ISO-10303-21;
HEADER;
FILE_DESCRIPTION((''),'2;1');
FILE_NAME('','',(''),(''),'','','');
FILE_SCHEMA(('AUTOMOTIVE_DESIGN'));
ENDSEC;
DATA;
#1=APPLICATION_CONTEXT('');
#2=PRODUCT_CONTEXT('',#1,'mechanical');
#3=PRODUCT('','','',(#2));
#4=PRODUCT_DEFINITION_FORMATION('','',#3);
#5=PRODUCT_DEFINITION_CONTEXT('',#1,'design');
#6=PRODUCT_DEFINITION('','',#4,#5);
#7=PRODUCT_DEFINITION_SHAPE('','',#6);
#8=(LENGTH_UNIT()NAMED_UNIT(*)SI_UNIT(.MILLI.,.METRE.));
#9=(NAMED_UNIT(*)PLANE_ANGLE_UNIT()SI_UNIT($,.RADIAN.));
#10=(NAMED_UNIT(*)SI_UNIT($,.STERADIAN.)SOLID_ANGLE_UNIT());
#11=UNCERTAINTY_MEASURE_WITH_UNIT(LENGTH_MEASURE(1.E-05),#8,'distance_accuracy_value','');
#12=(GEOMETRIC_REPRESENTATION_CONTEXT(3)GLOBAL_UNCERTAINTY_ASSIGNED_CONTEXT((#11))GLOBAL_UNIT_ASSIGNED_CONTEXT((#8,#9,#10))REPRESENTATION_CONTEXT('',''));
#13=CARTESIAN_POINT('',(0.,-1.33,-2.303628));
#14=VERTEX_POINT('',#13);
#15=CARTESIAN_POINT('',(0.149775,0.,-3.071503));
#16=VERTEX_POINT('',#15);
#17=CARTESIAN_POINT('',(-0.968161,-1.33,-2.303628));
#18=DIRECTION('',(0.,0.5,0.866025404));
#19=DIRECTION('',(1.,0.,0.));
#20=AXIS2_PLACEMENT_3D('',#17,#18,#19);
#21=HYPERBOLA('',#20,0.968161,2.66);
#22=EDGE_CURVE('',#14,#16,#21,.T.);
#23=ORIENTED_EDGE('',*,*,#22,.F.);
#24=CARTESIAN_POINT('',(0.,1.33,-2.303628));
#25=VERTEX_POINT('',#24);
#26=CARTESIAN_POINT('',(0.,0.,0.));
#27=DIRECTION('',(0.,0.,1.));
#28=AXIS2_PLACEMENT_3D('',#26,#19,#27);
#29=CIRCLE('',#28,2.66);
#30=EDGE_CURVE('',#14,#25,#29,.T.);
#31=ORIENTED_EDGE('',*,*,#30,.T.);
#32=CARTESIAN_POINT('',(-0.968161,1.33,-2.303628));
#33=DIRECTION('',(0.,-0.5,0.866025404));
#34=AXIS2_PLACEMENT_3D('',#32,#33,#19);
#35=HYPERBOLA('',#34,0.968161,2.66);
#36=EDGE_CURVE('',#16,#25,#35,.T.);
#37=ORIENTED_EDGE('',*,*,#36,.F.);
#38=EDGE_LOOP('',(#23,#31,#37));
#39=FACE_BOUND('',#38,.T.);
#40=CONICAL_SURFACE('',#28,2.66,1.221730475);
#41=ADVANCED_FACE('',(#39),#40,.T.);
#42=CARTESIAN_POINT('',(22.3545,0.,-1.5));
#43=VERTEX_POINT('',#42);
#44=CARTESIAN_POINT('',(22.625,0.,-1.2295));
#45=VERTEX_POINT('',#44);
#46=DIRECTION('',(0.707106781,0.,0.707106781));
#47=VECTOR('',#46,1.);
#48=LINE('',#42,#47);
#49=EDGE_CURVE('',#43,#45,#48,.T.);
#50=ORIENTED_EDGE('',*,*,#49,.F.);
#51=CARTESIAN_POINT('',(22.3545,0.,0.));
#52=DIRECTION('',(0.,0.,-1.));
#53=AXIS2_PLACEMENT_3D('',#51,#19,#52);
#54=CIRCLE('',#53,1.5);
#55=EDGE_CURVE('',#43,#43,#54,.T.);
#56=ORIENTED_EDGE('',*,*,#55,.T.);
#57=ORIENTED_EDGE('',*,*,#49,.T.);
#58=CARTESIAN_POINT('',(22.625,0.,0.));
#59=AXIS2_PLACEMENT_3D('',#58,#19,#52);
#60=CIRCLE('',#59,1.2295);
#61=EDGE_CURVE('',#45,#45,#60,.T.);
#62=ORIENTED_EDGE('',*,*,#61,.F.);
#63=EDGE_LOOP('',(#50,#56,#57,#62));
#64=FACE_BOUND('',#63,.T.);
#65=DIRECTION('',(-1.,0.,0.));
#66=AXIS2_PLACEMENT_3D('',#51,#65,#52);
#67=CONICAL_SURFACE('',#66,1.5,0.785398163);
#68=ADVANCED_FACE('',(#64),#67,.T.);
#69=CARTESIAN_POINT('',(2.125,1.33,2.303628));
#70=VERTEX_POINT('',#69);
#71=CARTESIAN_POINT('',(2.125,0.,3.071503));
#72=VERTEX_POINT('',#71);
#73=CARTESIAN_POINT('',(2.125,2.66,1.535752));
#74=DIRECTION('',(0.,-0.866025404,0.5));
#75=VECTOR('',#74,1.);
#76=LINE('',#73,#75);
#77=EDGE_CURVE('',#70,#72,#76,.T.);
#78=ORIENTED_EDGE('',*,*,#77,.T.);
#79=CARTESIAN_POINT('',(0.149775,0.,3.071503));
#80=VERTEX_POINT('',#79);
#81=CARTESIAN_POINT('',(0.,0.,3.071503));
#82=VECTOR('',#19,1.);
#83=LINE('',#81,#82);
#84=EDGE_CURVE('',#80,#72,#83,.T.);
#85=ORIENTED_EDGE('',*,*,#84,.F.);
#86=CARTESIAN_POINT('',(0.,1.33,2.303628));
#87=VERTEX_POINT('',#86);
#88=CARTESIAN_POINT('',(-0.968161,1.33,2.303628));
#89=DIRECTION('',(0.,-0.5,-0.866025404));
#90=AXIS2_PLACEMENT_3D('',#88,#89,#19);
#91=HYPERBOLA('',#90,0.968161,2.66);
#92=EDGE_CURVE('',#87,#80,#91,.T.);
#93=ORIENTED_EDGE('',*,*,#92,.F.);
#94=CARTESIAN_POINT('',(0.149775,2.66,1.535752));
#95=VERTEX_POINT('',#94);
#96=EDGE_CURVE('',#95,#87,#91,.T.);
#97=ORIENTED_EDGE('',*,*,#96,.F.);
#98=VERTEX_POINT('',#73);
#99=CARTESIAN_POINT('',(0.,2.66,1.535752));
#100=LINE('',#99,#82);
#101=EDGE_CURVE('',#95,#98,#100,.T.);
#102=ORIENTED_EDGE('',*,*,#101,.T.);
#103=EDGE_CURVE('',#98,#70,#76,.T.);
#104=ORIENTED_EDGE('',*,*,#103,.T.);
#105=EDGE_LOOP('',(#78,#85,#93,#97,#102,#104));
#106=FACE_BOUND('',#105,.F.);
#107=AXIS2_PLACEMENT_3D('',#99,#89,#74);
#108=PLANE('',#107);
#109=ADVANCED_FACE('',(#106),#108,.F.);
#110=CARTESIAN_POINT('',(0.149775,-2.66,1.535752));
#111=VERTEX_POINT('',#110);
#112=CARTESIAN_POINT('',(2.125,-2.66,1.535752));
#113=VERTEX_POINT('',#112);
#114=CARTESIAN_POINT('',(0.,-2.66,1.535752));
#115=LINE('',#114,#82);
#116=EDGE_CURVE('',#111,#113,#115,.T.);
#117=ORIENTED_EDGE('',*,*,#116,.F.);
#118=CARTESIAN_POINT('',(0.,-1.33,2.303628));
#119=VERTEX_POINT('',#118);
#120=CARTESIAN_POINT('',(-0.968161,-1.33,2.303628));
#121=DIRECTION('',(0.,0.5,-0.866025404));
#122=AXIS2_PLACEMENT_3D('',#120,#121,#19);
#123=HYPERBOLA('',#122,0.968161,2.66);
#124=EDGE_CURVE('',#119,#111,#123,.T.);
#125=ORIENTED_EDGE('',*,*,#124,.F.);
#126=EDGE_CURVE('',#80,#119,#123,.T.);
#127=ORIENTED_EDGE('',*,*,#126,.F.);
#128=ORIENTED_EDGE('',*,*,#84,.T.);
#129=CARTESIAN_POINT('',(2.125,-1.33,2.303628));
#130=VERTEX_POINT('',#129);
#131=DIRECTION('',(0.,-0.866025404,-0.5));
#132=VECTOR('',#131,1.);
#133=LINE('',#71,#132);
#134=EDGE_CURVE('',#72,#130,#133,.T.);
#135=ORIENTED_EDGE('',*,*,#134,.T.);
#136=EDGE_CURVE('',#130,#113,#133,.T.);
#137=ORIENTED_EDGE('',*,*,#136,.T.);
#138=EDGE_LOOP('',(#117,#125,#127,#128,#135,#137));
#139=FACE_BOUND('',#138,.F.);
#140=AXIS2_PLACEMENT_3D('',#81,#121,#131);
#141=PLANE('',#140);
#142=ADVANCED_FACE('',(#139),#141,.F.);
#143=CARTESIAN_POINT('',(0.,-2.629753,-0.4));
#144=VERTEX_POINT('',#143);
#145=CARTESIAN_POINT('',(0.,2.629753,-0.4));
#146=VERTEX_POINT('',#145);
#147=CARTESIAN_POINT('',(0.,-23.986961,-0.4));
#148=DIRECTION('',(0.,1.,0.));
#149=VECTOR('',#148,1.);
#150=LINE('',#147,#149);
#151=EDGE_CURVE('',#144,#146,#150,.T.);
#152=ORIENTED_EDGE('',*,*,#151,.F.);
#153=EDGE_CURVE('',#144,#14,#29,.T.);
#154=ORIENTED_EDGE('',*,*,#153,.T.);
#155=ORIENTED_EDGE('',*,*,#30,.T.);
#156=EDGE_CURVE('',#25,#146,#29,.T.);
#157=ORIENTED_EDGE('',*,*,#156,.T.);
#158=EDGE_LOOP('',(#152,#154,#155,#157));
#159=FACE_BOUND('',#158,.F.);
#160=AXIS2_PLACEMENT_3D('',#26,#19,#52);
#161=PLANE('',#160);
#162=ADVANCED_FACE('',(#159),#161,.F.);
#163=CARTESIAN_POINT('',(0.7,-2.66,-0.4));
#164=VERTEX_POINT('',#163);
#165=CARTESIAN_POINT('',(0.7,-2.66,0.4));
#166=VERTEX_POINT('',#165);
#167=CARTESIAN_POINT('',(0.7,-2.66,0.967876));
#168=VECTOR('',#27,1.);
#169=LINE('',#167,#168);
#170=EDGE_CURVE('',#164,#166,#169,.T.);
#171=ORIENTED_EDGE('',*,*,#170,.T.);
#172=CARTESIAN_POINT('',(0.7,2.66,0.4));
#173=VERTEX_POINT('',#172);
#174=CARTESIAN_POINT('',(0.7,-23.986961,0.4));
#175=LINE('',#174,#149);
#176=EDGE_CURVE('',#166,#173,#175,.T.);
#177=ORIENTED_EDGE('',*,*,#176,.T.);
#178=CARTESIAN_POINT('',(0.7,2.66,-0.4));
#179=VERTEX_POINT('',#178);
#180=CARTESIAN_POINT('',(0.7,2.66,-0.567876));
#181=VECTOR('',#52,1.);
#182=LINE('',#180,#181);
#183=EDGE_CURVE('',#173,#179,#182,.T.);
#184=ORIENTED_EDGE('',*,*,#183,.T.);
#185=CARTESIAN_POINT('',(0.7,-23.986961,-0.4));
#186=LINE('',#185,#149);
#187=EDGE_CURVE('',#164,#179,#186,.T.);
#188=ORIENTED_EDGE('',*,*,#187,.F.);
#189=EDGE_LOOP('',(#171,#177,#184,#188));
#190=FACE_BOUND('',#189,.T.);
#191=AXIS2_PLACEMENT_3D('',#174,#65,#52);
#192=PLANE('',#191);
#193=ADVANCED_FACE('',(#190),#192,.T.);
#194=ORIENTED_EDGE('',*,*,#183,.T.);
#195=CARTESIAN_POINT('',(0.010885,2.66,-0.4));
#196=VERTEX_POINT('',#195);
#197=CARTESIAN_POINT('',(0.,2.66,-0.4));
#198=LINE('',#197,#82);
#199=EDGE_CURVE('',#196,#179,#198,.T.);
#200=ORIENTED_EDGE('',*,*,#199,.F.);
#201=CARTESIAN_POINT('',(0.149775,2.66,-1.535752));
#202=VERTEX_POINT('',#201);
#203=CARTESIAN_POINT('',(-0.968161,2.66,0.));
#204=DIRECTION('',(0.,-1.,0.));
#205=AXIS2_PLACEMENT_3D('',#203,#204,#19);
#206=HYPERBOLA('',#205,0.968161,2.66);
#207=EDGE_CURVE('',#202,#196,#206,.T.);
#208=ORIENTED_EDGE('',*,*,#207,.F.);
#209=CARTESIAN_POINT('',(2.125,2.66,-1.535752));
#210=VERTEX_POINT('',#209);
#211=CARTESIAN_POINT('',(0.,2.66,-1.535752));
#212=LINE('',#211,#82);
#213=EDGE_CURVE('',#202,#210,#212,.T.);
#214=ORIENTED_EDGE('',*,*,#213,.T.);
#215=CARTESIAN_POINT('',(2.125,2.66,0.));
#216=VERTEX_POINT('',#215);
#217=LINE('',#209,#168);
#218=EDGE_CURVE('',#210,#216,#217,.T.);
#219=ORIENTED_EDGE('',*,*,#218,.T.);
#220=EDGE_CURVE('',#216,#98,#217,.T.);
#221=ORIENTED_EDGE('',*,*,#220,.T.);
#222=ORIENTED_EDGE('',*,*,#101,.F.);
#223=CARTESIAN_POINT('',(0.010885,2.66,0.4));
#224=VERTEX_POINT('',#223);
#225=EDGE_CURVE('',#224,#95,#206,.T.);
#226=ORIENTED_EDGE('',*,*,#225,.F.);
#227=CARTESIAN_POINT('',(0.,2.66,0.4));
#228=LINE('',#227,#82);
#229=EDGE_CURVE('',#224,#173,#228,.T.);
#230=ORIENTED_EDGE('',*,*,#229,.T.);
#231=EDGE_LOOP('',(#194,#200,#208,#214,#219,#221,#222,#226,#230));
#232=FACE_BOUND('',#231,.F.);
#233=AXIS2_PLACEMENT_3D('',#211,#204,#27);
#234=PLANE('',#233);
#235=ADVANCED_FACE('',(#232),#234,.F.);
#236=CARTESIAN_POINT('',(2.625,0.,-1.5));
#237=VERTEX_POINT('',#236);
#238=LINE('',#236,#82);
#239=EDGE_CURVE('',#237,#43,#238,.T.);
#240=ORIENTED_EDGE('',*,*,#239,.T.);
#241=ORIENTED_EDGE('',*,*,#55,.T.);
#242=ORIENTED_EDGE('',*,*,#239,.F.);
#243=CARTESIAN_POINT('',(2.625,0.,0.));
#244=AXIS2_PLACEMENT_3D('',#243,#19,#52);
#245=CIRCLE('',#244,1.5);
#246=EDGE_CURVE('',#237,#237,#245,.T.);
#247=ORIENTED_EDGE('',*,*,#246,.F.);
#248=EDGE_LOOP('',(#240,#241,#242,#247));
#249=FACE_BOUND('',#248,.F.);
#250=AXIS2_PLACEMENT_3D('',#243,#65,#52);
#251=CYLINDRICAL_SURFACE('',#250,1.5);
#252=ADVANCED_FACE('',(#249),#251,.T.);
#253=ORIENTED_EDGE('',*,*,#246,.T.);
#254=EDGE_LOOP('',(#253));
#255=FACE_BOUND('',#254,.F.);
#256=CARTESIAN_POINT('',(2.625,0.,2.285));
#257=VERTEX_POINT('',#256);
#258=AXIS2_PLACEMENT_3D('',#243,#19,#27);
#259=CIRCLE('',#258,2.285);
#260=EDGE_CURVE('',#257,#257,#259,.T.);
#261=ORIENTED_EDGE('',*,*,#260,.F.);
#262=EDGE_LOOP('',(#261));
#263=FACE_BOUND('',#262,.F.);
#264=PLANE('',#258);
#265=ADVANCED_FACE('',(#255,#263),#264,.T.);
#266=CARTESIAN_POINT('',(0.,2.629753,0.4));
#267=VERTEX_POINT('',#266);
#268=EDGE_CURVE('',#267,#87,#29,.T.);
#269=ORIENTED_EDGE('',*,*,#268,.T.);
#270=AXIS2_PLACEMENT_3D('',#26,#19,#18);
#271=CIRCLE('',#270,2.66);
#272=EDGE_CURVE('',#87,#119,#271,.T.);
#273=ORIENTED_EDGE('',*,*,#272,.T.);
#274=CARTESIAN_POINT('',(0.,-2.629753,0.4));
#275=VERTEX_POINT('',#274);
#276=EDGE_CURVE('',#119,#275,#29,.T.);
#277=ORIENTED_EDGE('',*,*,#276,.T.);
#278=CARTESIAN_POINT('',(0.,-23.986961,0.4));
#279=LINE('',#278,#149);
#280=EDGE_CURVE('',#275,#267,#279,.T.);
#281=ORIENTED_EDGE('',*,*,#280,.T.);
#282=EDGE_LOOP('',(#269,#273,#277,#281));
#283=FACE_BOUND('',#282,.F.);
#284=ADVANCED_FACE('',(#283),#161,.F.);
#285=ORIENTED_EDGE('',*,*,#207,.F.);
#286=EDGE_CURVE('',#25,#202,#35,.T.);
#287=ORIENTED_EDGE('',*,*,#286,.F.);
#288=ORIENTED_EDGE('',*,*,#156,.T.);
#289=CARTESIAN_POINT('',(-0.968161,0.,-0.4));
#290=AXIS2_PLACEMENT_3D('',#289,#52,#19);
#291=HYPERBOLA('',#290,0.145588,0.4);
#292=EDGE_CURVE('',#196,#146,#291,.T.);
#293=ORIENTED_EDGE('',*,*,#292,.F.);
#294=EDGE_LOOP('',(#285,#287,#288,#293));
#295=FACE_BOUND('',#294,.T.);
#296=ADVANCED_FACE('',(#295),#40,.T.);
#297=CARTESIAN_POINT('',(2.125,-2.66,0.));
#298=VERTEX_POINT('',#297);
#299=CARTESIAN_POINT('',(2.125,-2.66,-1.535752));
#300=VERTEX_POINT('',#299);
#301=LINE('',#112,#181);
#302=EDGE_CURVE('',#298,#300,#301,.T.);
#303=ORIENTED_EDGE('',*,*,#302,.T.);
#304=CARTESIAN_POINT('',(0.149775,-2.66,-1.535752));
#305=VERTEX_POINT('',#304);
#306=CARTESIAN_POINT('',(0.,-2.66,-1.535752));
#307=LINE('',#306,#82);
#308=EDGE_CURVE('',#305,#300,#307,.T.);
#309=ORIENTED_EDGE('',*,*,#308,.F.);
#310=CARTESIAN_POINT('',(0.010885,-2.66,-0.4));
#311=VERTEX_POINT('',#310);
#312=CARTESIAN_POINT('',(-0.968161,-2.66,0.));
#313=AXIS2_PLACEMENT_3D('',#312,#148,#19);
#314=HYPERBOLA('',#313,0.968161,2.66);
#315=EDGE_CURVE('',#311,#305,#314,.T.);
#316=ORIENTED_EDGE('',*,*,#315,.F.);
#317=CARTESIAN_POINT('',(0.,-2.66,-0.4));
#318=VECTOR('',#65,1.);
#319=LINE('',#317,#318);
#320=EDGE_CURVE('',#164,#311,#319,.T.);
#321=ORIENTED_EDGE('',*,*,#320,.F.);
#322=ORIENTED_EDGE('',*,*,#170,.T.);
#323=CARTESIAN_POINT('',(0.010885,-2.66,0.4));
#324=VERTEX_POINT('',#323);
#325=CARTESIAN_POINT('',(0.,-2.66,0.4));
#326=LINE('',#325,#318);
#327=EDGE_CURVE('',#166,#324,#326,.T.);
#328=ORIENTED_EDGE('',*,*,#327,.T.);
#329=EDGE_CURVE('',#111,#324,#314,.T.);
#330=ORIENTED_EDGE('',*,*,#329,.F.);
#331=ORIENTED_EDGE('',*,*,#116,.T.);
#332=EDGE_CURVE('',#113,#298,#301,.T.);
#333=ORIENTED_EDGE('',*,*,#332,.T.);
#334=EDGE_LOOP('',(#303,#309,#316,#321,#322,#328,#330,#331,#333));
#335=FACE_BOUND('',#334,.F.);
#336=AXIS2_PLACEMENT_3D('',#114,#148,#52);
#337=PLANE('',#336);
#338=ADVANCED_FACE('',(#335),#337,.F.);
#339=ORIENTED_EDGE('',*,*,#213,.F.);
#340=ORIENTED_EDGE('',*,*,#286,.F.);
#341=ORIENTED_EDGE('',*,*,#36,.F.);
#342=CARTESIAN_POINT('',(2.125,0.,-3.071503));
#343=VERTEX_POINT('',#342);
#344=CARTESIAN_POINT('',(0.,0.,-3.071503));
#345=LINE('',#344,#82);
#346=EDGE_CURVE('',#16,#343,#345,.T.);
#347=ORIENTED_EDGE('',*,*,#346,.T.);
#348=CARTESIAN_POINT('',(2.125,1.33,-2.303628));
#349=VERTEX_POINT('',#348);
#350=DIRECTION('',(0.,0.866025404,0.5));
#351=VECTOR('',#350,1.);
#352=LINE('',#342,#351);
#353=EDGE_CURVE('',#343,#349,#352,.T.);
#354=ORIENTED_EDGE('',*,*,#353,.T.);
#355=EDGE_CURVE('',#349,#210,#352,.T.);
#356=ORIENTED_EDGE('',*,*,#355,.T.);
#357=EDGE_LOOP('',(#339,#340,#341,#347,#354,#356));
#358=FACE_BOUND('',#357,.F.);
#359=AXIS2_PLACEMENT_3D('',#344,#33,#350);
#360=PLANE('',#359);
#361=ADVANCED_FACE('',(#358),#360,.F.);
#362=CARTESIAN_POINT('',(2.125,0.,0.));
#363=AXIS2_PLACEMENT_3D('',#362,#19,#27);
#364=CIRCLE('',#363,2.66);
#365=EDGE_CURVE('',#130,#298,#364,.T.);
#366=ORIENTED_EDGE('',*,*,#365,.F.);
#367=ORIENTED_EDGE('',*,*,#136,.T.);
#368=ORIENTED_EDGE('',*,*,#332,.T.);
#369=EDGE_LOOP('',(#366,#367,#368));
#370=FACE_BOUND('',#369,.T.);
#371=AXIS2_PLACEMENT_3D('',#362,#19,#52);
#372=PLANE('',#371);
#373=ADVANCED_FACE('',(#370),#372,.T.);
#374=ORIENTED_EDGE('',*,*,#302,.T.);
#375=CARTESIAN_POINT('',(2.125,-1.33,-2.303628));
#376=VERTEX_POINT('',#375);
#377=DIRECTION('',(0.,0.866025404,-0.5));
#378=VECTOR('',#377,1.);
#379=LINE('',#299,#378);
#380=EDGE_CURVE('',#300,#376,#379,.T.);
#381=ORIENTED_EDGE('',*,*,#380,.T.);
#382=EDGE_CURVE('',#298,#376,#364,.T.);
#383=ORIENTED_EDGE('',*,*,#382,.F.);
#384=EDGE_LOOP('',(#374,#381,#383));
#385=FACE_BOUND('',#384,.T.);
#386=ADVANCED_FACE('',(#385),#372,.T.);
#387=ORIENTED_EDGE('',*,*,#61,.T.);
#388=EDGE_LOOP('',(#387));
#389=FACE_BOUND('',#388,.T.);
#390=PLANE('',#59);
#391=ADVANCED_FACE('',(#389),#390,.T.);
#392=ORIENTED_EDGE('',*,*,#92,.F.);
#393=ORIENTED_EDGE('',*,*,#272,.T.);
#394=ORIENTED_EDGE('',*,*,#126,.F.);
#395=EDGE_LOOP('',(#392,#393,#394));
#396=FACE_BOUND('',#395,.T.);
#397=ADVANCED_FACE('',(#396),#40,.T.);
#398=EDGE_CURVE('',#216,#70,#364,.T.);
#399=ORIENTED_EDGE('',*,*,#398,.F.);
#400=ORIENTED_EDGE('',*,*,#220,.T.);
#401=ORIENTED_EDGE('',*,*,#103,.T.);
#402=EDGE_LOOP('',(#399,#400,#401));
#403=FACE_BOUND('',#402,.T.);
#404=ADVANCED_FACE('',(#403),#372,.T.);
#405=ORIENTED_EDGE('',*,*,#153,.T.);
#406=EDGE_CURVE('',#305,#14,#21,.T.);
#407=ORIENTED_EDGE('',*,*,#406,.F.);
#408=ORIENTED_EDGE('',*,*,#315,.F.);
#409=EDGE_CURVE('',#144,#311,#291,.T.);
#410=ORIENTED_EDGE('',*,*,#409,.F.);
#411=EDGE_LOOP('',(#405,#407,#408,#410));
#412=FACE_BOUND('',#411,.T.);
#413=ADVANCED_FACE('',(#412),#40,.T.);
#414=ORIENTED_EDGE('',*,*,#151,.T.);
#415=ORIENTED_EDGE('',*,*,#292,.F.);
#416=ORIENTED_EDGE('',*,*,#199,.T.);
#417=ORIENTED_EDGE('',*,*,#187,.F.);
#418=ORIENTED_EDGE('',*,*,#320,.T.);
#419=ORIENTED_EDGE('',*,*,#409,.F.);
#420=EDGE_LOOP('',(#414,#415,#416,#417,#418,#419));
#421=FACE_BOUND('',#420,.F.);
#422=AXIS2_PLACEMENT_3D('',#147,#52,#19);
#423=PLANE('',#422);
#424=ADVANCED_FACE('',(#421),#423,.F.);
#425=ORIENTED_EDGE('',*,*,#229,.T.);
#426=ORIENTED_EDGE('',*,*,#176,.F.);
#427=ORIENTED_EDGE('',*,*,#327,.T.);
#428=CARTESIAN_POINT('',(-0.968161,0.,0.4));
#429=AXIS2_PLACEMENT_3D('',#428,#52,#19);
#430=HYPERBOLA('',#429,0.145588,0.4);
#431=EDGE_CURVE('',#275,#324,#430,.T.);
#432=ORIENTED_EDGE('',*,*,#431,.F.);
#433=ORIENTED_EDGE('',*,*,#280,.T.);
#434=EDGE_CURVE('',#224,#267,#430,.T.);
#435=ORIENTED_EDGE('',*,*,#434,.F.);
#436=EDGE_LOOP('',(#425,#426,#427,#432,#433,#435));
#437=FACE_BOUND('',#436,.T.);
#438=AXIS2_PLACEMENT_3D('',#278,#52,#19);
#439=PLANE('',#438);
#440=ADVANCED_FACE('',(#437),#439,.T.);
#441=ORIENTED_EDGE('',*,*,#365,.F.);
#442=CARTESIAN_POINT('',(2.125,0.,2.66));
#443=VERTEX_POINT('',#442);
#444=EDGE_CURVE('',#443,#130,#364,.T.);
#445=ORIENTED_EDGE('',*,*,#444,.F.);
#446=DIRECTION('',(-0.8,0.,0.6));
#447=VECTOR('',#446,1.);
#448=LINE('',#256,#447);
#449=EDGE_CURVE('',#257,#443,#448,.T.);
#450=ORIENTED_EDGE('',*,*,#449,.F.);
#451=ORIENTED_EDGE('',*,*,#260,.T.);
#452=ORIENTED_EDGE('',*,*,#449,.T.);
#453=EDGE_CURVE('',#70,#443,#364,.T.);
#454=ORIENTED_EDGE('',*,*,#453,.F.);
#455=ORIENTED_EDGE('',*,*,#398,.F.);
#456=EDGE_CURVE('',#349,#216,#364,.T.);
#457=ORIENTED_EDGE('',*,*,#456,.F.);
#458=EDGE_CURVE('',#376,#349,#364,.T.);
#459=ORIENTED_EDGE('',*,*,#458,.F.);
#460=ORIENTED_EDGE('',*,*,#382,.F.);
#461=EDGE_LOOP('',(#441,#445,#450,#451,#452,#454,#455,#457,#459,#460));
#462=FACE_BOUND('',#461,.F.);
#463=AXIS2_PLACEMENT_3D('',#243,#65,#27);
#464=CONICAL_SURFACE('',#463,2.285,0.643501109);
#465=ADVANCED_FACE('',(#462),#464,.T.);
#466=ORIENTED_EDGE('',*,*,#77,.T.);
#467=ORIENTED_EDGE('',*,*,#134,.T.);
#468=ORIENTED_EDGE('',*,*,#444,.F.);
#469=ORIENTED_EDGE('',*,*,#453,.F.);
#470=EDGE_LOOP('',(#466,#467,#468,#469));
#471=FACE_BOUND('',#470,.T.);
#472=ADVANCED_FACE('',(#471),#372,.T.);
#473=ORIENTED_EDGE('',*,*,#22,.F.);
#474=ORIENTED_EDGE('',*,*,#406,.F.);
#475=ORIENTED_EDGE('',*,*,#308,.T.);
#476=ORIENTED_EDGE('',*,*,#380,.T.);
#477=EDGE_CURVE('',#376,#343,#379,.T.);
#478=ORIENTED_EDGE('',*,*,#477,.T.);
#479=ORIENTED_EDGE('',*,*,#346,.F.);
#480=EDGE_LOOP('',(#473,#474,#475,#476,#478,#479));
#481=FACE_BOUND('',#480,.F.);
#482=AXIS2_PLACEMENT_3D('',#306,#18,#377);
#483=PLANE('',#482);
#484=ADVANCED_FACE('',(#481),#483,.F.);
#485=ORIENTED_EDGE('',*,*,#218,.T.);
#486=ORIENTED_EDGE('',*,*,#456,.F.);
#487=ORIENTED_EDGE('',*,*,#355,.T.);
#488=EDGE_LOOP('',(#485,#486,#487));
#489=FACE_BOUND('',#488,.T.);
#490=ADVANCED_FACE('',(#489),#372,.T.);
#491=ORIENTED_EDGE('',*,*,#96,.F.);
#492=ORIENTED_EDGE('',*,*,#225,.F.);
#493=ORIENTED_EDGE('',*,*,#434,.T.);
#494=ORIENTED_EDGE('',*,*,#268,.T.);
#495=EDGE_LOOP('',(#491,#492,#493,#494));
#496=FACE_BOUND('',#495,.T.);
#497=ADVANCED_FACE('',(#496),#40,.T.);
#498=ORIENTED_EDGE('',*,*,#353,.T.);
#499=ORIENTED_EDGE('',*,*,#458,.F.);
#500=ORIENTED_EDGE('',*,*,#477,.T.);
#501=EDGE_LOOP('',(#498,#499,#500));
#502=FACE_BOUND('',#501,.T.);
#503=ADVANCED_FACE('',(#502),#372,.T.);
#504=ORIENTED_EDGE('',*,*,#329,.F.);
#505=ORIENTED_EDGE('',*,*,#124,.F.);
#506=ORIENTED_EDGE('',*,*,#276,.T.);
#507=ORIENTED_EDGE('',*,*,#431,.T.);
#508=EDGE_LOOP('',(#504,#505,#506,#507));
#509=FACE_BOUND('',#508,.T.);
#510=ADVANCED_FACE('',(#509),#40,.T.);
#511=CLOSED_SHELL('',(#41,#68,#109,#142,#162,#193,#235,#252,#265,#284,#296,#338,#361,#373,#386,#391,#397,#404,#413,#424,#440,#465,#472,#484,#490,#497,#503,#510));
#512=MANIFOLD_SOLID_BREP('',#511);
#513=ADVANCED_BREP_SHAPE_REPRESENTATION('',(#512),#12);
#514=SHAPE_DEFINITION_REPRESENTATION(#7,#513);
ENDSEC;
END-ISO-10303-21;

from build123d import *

# Parameters (mm, degrees)
BASEHEAD_DEPTH  = 2.125
SKETCH3_R       = 1.5
BASEBODY_DEPTH  = 20
CHAMFER1_SIZE   = 0.2705
SLOT_DEPTH      = 23.986960615
SLOT_DEPTH_BACK = 23.986960615
SKETCH5_W       = 0.7
SKETCH5_H       = 0.8


with BuildPart() as part:
    # Sketch-BaseHead → BaseHead (new body)
    with BuildSketch(Plane(origin=(0, 0, 0), x_dir=(0, 0, -1), z_dir=(1, 0, 0))):
        Polygon((1.535751716, -2.66), (3.071503432, 0), (1.535751716, 2.66), (-1.535751716, 2.66), (-3.071503432, 0), (-1.535751716, -2.66), align=None)
    extrude(amount=BASEHEAD_DEPTH)

    # Sketch1 → Revolve1 (revolve)
    with BuildSketch(Plane.XY, mode=Mode.PRIVATE) as revolve1_sk:
        Polygon((2.125, 0), (2.625, 0), (2.625, -2.285), (2.125, -2.66), align=None)
    revolve(revolve1_sk.sketch.rotate(Axis((-4.001564945, 0, 0), (1, 0, 0)), 270), axis=Axis((-4.001564945, 0, 0), (1, 0, 0)))

    # Sketch3 → BaseBody (add)
    with BuildSketch(Plane(origin=(2.625, 0, 0), x_dir=(0, 0, -1), z_dir=(1, 0, 0))):
        Circle(SKETCH3_R)
    extrude(amount=BASEBODY_DEPTH)

    # Chamfer1
    chamfer1_edges = [part.edges().sort_by_distance(p)[0] for p in [
        (22.625, 0, 1.5),
    ]]
    chamfer(chamfer1_edges, length=CHAMFER1_SIZE)

    # Sketch4 → HeadChamfer (revolve, cut)
    with BuildSketch(Plane(origin=(-0.264637255, 0, 5.916896391), x_dir=(0, 0, -1), z_dir=(0, 1, 0)), mode=Mode.PRIVATE) as headchamfer_sk:
        Polygon((8.988399823, -0.264637255), (8.576896391, -0.264637255), (8.988399823, -0.414412256), align=None)
    revolve(headchamfer_sk.sketch.rotate(Axis((-4.001564945, 0, 0), (1, 0, 0)), 180), axis=Axis((-4.001564945, 0, 0), (1, 0, 0)), mode=Mode.SUBTRACT)

    # Sketch5 → Slot (cut, two sides: drawn at the far end of the back side and taken through both)
    with BuildSketch(Plane(origin=(0, 0, 0), x_dir=(1, 0, 0), z_dir=(0, 1, 0)).offset(-SLOT_DEPTH_BACK)):
        with Locations((0.35, 0)):
            Rectangle(SKETCH5_W, SKETCH5_H)
    extrude(amount=SLOT_DEPTH + SLOT_DEPTH_BACK, mode=Mode.SUBTRACT)


solid = part.part
